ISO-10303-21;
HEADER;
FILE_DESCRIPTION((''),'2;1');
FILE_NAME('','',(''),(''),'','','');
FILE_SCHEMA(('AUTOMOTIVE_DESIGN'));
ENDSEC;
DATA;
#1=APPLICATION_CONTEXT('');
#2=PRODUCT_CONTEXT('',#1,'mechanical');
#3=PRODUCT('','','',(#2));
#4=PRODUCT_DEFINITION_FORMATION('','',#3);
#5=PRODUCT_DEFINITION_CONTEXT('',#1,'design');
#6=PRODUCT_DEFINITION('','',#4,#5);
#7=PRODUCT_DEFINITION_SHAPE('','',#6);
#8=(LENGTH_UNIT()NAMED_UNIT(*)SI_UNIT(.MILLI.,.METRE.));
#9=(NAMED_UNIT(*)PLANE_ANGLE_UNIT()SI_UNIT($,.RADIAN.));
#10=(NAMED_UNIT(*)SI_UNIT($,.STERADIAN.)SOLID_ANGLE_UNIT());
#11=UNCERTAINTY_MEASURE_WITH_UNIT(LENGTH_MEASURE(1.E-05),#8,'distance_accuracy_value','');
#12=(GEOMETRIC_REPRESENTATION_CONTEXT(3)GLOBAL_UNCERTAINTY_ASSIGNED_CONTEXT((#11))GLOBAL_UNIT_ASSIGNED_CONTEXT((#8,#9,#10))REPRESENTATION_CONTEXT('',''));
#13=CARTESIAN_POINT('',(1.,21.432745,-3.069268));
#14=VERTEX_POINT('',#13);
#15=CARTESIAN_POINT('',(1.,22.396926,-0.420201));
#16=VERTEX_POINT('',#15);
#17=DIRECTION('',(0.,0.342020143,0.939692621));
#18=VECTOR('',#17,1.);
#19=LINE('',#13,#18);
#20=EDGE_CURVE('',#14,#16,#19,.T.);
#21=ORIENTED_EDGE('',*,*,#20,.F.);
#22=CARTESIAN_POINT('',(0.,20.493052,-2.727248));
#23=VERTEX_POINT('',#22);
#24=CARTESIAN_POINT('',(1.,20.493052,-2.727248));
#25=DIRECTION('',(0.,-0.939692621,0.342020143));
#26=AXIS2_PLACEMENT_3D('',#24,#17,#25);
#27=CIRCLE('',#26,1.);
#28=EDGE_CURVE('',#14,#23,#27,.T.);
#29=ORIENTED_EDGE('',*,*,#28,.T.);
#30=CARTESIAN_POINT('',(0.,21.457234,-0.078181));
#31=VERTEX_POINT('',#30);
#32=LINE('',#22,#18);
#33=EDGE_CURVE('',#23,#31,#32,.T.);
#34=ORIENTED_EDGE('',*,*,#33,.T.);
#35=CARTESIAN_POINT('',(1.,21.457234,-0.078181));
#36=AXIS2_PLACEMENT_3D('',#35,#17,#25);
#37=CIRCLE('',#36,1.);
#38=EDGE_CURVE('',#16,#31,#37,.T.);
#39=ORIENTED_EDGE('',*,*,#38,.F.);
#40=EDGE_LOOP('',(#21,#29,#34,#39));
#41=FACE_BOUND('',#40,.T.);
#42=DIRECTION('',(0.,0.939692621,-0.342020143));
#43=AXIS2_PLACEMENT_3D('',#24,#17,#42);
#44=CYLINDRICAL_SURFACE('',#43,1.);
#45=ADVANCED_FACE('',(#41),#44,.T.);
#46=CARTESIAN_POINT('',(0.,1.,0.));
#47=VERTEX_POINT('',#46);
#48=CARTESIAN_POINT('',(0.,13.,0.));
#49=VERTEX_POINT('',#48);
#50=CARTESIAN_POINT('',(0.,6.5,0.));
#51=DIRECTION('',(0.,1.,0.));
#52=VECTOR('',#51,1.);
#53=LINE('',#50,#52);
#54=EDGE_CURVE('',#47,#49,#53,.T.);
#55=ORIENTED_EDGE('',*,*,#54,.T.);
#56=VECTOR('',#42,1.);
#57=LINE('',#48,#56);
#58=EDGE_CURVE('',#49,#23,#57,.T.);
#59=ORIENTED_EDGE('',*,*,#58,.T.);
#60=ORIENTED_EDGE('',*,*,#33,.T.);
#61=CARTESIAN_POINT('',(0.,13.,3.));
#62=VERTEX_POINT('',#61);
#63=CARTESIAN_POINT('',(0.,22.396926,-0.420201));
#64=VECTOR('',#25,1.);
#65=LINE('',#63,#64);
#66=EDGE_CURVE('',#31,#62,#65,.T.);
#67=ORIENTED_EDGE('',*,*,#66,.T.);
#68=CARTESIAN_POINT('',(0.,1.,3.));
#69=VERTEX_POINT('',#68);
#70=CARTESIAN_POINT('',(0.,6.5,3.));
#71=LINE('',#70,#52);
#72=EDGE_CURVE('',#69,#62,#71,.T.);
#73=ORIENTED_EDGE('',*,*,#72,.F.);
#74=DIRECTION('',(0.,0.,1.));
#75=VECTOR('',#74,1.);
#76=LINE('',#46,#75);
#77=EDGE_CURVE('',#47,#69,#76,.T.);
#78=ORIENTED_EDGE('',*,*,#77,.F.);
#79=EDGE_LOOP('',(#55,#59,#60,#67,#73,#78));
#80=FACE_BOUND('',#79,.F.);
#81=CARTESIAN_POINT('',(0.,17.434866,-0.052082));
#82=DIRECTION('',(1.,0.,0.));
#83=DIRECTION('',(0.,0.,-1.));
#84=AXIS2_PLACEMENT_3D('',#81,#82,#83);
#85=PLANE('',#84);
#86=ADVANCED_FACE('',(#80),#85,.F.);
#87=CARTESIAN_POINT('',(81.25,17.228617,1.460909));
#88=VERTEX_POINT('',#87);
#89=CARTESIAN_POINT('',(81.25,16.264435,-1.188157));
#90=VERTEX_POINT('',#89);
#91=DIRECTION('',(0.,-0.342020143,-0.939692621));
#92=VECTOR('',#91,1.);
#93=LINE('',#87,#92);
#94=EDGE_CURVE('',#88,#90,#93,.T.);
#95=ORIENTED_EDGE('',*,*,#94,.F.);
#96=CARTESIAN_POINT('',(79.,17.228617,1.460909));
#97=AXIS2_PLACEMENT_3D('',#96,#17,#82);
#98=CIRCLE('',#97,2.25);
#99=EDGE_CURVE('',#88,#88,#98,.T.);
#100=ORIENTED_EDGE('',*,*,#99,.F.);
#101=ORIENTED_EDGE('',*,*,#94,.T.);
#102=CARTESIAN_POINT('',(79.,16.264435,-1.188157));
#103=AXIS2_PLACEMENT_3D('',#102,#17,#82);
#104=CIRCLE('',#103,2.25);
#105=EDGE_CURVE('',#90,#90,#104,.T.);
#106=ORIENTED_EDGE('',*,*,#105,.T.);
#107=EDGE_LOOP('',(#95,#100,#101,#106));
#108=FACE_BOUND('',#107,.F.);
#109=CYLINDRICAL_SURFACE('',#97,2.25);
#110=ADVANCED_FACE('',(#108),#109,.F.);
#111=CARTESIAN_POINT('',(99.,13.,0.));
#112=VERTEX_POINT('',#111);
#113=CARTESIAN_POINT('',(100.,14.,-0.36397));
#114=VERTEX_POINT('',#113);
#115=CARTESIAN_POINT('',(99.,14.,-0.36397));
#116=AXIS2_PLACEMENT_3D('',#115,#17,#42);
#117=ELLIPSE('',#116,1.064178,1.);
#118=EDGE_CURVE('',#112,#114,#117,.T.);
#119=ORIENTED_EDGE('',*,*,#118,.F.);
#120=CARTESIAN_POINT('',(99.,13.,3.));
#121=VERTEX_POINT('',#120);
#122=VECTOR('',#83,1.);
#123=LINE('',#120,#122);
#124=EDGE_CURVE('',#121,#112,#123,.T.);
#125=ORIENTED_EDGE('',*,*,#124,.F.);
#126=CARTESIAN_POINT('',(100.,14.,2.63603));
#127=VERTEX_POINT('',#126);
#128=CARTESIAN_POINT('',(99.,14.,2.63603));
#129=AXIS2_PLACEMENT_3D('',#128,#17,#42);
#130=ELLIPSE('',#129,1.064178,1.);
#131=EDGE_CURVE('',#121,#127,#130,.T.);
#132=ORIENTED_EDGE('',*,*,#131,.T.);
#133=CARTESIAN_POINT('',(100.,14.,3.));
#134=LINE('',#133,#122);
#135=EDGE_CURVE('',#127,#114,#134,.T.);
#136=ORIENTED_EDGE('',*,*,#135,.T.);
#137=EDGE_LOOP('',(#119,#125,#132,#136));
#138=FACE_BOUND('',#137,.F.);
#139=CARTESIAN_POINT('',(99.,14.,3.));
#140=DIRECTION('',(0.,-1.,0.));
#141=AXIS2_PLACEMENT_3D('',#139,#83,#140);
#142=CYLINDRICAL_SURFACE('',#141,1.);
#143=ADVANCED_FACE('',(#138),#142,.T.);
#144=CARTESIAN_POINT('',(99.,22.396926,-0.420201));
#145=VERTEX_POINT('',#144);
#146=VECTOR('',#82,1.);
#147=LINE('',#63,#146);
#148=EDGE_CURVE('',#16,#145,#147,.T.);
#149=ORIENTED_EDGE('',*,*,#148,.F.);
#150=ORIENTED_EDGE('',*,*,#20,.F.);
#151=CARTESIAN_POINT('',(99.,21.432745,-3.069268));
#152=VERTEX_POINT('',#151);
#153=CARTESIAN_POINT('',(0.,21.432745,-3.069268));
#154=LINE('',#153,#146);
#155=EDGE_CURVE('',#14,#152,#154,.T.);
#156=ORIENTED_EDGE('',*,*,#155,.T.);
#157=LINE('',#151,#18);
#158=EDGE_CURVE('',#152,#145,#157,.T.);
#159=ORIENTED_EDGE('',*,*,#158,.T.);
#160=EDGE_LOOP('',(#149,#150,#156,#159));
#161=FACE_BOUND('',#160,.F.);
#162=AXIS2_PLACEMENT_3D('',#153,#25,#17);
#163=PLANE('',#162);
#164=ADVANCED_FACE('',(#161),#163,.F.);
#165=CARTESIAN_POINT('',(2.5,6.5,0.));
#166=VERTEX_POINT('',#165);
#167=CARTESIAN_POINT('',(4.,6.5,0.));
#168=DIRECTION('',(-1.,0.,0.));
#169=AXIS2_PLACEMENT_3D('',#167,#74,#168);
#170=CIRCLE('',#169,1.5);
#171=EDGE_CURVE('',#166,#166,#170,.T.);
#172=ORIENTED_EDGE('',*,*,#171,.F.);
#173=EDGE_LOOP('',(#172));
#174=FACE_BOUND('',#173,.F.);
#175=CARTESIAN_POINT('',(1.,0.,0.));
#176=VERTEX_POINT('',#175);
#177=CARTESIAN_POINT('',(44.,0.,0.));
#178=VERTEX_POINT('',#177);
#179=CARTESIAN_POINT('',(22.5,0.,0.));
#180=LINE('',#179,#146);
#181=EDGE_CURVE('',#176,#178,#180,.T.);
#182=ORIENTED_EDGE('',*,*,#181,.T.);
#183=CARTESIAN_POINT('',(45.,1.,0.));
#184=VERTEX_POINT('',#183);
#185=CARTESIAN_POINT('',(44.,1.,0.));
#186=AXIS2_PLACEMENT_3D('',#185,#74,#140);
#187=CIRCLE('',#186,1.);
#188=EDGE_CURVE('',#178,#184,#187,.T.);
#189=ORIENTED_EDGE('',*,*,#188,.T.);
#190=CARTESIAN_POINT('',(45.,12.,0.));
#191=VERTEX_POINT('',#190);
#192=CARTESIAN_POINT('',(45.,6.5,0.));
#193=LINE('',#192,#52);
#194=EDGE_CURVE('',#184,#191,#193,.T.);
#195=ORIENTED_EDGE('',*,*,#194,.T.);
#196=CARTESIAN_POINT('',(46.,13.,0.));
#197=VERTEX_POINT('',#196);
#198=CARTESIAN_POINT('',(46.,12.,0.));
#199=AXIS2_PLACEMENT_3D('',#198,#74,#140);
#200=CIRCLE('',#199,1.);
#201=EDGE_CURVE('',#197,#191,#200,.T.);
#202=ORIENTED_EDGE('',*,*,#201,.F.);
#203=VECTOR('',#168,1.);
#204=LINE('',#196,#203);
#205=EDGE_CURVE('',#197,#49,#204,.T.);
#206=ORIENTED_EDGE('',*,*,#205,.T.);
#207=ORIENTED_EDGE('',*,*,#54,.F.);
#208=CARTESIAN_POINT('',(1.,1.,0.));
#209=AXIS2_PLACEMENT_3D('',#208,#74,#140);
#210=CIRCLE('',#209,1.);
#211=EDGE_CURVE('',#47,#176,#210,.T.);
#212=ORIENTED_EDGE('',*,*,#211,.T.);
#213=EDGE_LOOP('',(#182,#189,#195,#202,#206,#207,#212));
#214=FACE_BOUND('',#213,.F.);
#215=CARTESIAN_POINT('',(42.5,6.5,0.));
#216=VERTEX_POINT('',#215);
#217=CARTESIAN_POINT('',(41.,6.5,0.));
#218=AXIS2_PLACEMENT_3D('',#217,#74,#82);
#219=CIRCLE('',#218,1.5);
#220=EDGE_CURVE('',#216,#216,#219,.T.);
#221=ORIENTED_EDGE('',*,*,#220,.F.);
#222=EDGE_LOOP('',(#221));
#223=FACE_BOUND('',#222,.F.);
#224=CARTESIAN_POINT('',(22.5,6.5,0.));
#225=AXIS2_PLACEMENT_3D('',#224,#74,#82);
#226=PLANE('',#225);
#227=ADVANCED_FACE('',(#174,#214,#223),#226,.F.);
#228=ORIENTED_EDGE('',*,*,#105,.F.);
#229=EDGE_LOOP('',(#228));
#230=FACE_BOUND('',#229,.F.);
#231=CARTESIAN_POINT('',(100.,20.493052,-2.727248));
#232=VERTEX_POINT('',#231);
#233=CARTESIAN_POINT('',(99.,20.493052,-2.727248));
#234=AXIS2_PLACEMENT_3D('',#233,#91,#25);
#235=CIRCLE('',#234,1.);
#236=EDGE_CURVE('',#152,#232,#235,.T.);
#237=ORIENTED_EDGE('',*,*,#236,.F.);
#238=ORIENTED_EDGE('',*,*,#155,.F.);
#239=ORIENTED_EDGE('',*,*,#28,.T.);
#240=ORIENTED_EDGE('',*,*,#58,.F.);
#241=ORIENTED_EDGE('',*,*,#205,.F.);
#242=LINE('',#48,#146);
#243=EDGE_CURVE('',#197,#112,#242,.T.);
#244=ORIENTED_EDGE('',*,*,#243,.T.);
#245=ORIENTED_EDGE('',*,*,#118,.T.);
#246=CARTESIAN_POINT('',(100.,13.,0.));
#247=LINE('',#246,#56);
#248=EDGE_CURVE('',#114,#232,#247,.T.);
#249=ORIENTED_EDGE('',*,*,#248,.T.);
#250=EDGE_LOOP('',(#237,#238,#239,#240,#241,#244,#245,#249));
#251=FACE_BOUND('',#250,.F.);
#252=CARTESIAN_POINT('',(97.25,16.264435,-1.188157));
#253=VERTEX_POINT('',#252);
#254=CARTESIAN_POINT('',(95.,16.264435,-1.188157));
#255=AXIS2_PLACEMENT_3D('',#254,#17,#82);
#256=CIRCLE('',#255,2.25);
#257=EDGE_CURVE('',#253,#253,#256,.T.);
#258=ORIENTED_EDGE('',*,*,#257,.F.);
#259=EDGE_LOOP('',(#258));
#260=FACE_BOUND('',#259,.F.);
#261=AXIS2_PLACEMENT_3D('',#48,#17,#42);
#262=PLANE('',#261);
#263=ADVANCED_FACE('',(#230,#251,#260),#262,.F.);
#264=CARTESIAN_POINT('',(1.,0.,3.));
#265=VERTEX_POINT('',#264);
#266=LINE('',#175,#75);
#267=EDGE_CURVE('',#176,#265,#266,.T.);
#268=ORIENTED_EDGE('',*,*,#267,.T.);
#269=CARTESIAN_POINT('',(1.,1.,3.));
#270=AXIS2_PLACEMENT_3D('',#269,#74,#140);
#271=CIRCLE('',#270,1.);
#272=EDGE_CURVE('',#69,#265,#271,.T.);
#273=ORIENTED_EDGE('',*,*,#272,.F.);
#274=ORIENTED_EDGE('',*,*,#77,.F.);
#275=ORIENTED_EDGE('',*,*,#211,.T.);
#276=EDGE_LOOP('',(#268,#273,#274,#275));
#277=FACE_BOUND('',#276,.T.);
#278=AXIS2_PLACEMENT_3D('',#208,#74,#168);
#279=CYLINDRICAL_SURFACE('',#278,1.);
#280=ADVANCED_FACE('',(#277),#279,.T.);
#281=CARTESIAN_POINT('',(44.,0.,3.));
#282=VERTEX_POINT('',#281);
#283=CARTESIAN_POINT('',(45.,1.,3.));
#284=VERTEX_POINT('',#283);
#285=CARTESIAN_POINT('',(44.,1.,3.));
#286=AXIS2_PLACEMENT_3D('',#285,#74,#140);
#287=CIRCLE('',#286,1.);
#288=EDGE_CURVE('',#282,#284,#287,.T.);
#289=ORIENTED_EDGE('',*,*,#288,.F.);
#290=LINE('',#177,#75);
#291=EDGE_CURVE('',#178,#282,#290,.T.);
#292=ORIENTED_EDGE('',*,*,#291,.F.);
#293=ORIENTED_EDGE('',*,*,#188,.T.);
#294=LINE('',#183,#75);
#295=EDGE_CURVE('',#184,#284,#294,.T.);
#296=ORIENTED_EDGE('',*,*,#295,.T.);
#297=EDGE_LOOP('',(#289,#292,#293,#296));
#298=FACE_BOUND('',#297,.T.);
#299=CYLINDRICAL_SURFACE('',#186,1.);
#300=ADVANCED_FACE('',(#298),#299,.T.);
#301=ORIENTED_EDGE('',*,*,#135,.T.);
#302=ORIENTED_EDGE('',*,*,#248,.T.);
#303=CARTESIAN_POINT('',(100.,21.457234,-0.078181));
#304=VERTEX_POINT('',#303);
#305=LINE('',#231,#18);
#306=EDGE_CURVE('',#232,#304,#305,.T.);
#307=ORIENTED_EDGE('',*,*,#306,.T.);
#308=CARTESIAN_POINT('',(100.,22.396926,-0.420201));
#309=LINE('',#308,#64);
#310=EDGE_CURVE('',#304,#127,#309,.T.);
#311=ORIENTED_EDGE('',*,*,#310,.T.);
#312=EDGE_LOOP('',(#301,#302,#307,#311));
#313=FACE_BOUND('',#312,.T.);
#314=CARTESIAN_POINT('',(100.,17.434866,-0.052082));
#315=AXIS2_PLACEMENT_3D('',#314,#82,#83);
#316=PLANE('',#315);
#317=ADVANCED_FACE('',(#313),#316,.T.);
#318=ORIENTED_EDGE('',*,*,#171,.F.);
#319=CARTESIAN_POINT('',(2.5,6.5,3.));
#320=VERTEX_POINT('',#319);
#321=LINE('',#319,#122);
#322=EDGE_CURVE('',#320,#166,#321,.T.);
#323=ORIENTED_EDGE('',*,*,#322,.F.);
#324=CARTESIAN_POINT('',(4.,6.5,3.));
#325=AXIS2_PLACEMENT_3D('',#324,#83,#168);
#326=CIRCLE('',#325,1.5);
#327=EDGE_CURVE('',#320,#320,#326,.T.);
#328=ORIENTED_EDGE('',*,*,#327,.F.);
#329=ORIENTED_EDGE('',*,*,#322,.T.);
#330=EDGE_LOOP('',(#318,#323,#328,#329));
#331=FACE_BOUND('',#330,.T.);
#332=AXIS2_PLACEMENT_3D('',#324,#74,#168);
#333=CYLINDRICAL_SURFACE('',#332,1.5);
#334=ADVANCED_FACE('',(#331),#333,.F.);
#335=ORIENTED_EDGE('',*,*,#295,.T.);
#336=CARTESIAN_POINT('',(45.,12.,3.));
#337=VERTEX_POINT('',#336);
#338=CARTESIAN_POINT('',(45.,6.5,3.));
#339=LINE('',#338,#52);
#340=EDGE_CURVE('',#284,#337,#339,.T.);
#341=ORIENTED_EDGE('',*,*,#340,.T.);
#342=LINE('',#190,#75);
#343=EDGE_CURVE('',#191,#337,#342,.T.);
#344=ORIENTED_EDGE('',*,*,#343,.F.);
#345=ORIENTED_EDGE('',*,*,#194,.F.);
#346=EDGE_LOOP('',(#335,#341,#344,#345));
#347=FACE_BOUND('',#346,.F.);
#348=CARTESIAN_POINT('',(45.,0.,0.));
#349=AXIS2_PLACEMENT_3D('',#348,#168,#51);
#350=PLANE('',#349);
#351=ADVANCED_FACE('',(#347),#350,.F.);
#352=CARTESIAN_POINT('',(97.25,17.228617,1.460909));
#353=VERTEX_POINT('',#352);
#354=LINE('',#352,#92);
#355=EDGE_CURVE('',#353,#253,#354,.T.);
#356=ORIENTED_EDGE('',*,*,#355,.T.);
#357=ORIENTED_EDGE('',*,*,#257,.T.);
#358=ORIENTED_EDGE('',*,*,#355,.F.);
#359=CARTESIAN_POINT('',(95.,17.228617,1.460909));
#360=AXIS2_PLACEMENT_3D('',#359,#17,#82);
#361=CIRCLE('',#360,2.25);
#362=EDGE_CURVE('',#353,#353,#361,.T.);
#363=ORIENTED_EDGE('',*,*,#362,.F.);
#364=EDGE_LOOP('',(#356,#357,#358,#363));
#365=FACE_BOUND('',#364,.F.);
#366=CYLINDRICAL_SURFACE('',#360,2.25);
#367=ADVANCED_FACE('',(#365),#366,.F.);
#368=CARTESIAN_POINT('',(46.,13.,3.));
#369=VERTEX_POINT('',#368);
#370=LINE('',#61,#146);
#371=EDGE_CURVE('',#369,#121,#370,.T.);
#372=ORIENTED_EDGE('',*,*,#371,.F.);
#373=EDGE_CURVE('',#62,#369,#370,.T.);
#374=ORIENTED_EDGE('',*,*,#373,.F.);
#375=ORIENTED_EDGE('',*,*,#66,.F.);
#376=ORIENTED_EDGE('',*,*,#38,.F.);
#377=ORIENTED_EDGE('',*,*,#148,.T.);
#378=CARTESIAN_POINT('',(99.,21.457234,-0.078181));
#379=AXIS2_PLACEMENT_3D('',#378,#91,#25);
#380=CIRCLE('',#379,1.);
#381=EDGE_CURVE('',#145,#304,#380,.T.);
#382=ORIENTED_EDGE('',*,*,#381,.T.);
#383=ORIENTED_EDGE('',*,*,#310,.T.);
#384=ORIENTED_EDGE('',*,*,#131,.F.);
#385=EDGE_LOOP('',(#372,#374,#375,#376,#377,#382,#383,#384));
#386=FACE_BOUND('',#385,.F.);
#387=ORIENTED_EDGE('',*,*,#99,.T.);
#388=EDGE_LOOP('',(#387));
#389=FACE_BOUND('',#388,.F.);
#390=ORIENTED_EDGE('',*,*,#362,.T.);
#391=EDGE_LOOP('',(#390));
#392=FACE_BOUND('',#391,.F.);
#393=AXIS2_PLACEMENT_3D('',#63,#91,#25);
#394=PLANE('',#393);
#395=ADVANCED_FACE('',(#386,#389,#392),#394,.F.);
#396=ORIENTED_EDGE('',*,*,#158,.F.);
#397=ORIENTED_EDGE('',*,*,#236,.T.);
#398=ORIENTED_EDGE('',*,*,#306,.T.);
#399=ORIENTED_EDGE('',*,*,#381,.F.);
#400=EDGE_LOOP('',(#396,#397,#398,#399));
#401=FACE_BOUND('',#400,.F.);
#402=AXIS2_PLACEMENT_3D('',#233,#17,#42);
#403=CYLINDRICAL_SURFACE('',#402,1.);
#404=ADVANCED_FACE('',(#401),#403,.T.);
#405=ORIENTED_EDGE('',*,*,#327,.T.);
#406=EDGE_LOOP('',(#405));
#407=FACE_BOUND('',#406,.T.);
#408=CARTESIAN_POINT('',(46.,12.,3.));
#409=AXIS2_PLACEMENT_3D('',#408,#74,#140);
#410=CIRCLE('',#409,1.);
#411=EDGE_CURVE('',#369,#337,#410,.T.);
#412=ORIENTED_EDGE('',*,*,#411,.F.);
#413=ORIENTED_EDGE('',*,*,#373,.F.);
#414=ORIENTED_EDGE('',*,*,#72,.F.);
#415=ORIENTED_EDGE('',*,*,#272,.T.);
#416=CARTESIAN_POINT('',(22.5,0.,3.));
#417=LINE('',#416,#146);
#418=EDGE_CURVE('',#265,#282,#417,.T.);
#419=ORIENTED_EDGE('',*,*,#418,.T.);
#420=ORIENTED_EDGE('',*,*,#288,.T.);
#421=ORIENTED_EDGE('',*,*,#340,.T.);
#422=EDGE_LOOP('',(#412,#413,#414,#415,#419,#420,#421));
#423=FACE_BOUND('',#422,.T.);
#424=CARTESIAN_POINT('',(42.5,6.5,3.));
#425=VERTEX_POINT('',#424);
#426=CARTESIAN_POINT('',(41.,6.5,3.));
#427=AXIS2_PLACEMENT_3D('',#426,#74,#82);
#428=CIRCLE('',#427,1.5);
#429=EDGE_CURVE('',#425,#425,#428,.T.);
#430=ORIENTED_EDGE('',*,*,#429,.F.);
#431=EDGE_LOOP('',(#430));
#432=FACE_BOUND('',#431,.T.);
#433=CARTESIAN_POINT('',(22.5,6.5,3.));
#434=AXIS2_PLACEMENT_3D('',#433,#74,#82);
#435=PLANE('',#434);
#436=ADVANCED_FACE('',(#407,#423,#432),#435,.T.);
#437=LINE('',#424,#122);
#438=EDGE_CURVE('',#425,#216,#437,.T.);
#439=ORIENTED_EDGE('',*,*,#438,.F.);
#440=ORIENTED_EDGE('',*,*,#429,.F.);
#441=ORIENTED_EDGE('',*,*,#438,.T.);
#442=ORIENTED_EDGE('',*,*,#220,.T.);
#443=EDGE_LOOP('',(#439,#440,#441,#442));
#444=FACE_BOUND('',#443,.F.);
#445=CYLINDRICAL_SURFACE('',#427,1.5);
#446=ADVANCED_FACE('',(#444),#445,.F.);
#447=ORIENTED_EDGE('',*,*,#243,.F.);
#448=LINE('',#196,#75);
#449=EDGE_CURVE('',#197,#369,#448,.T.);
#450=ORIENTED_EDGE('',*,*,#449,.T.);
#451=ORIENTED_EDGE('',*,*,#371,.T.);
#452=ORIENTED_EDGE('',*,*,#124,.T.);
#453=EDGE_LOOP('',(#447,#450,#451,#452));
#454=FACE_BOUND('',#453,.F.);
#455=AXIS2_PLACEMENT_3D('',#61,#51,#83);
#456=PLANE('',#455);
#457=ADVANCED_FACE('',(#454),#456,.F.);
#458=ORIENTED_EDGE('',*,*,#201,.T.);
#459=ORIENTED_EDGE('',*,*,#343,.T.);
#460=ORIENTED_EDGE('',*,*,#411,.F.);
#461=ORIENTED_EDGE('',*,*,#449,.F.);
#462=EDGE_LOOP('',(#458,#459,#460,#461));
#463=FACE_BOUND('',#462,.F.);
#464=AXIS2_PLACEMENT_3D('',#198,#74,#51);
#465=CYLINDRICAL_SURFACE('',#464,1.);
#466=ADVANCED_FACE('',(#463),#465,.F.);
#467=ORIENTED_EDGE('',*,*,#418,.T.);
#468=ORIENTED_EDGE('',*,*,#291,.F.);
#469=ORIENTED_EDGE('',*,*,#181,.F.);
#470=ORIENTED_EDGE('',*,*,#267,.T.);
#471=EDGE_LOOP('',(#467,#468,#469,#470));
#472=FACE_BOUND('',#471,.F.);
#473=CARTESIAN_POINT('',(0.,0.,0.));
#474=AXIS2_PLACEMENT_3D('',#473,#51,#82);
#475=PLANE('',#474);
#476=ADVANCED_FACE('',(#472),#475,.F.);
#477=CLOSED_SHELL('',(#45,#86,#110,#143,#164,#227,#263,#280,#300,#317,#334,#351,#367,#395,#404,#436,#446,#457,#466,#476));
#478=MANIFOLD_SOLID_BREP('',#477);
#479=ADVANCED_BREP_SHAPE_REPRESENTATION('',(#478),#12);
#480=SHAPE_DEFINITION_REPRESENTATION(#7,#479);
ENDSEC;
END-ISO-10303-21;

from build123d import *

# Parameters (mm, degrees)
ESQUISSE1_W                = 45
ESQUISSE1_H                = 13
BOSS_EXTRU_1_DEPTH         = 3
ESQUISSE2_R                = 1.5
ENL_V_MAT_EXTRU_1_DEPTH    = 4
BOSS_EXTRU_3_DEPTH         = 100
CONG_1_R                   = 1
ESQUISSE12_R               = 2.25
ENL_V_MAT_EXTRU_3_DEPTH    = 11.149508308
R_P_TITION_LIN_AIRE1_COUNT = 2
R_P_TITION_LIN_AIRE1_PITCH = 16


with BuildPart() as part:
    # Esquisse1 → Boss.-Extru.1 (new body)
    with BuildSketch(Plane.XY):
        with Locations((22.5, 6.5)):
            Rectangle(ESQUISSE1_W, ESQUISSE1_H)
    extrude(amount=BOSS_EXTRU_1_DEPTH)

    # Esquisse2 → Enl_v. mat.-Extru.1 (cut, through all)
    with BuildSketch(Plane.XY.offset(3)):
        with Locations((41, 6.5)):
            Circle(ESQUISSE2_R)
    enl_v_mat_extru_1 = extrude(amount=-ENL_V_MAT_EXTRU_1_DEPTH, mode=Mode.SUBTRACT)

    # Sym_trie1: Enl_v. mat.-Extru.1 across plane
    add(enl_v_mat_extru_1.mirror(Plane.ZY.offset(-22.5)), mode=Mode.SUBTRACT)

    # Esquisse8 → Boss.-Extru.3 (add)
    with BuildSketch(Plane.ZY):
        Polygon((0, 13), (-3.069268098, 21.432744793), (-0.420201433, 22.396926208), (3, 13), align=None)
    extrude(amount=-BOSS_EXTRU_3_DEPTH)

    # Cong_1
    cong_1_edges = [part.edges().sort_by_distance(p)[0] for p in [
        (45, 0, 1.5),
        (0, 0, 1.5),
        (45, 13, 1.5),
        (100, 13, 1.5),
        (100, 21.914835501, -1.744734766),
        (0, 21.914835501, -1.744734766),
    ]]
    fillet(cong_1_edges, radius=CONG_1_R)

    # Esquisse12 → Enl_v. mat.-Extru.3 (cut, through all)
    with BuildSketch(Plane(origin=(0, 2.484892534, 6.827186128), x_dir=(1, 0, 0), z_dir=(0, 0.342020143, 0.939692621))):
        with Locations((95, 15.68994364)):
            Circle(ESQUISSE12_R)
    enl_v_mat_extru_3 = extrude(amount=-ENL_V_MAT_EXTRU_3_DEPTH, mode=Mode.SUBTRACT)

    # R_p_tition lin_aire1: Enl_v. mat.-Extru.3 ×2
    with Locations(*[(-i * R_P_TITION_LIN_AIRE1_PITCH, 0, 0) for i in range(1, R_P_TITION_LIN_AIRE1_COUNT)]):
        add(enl_v_mat_extru_3, mode=Mode.SUBTRACT)


solid = part.part
